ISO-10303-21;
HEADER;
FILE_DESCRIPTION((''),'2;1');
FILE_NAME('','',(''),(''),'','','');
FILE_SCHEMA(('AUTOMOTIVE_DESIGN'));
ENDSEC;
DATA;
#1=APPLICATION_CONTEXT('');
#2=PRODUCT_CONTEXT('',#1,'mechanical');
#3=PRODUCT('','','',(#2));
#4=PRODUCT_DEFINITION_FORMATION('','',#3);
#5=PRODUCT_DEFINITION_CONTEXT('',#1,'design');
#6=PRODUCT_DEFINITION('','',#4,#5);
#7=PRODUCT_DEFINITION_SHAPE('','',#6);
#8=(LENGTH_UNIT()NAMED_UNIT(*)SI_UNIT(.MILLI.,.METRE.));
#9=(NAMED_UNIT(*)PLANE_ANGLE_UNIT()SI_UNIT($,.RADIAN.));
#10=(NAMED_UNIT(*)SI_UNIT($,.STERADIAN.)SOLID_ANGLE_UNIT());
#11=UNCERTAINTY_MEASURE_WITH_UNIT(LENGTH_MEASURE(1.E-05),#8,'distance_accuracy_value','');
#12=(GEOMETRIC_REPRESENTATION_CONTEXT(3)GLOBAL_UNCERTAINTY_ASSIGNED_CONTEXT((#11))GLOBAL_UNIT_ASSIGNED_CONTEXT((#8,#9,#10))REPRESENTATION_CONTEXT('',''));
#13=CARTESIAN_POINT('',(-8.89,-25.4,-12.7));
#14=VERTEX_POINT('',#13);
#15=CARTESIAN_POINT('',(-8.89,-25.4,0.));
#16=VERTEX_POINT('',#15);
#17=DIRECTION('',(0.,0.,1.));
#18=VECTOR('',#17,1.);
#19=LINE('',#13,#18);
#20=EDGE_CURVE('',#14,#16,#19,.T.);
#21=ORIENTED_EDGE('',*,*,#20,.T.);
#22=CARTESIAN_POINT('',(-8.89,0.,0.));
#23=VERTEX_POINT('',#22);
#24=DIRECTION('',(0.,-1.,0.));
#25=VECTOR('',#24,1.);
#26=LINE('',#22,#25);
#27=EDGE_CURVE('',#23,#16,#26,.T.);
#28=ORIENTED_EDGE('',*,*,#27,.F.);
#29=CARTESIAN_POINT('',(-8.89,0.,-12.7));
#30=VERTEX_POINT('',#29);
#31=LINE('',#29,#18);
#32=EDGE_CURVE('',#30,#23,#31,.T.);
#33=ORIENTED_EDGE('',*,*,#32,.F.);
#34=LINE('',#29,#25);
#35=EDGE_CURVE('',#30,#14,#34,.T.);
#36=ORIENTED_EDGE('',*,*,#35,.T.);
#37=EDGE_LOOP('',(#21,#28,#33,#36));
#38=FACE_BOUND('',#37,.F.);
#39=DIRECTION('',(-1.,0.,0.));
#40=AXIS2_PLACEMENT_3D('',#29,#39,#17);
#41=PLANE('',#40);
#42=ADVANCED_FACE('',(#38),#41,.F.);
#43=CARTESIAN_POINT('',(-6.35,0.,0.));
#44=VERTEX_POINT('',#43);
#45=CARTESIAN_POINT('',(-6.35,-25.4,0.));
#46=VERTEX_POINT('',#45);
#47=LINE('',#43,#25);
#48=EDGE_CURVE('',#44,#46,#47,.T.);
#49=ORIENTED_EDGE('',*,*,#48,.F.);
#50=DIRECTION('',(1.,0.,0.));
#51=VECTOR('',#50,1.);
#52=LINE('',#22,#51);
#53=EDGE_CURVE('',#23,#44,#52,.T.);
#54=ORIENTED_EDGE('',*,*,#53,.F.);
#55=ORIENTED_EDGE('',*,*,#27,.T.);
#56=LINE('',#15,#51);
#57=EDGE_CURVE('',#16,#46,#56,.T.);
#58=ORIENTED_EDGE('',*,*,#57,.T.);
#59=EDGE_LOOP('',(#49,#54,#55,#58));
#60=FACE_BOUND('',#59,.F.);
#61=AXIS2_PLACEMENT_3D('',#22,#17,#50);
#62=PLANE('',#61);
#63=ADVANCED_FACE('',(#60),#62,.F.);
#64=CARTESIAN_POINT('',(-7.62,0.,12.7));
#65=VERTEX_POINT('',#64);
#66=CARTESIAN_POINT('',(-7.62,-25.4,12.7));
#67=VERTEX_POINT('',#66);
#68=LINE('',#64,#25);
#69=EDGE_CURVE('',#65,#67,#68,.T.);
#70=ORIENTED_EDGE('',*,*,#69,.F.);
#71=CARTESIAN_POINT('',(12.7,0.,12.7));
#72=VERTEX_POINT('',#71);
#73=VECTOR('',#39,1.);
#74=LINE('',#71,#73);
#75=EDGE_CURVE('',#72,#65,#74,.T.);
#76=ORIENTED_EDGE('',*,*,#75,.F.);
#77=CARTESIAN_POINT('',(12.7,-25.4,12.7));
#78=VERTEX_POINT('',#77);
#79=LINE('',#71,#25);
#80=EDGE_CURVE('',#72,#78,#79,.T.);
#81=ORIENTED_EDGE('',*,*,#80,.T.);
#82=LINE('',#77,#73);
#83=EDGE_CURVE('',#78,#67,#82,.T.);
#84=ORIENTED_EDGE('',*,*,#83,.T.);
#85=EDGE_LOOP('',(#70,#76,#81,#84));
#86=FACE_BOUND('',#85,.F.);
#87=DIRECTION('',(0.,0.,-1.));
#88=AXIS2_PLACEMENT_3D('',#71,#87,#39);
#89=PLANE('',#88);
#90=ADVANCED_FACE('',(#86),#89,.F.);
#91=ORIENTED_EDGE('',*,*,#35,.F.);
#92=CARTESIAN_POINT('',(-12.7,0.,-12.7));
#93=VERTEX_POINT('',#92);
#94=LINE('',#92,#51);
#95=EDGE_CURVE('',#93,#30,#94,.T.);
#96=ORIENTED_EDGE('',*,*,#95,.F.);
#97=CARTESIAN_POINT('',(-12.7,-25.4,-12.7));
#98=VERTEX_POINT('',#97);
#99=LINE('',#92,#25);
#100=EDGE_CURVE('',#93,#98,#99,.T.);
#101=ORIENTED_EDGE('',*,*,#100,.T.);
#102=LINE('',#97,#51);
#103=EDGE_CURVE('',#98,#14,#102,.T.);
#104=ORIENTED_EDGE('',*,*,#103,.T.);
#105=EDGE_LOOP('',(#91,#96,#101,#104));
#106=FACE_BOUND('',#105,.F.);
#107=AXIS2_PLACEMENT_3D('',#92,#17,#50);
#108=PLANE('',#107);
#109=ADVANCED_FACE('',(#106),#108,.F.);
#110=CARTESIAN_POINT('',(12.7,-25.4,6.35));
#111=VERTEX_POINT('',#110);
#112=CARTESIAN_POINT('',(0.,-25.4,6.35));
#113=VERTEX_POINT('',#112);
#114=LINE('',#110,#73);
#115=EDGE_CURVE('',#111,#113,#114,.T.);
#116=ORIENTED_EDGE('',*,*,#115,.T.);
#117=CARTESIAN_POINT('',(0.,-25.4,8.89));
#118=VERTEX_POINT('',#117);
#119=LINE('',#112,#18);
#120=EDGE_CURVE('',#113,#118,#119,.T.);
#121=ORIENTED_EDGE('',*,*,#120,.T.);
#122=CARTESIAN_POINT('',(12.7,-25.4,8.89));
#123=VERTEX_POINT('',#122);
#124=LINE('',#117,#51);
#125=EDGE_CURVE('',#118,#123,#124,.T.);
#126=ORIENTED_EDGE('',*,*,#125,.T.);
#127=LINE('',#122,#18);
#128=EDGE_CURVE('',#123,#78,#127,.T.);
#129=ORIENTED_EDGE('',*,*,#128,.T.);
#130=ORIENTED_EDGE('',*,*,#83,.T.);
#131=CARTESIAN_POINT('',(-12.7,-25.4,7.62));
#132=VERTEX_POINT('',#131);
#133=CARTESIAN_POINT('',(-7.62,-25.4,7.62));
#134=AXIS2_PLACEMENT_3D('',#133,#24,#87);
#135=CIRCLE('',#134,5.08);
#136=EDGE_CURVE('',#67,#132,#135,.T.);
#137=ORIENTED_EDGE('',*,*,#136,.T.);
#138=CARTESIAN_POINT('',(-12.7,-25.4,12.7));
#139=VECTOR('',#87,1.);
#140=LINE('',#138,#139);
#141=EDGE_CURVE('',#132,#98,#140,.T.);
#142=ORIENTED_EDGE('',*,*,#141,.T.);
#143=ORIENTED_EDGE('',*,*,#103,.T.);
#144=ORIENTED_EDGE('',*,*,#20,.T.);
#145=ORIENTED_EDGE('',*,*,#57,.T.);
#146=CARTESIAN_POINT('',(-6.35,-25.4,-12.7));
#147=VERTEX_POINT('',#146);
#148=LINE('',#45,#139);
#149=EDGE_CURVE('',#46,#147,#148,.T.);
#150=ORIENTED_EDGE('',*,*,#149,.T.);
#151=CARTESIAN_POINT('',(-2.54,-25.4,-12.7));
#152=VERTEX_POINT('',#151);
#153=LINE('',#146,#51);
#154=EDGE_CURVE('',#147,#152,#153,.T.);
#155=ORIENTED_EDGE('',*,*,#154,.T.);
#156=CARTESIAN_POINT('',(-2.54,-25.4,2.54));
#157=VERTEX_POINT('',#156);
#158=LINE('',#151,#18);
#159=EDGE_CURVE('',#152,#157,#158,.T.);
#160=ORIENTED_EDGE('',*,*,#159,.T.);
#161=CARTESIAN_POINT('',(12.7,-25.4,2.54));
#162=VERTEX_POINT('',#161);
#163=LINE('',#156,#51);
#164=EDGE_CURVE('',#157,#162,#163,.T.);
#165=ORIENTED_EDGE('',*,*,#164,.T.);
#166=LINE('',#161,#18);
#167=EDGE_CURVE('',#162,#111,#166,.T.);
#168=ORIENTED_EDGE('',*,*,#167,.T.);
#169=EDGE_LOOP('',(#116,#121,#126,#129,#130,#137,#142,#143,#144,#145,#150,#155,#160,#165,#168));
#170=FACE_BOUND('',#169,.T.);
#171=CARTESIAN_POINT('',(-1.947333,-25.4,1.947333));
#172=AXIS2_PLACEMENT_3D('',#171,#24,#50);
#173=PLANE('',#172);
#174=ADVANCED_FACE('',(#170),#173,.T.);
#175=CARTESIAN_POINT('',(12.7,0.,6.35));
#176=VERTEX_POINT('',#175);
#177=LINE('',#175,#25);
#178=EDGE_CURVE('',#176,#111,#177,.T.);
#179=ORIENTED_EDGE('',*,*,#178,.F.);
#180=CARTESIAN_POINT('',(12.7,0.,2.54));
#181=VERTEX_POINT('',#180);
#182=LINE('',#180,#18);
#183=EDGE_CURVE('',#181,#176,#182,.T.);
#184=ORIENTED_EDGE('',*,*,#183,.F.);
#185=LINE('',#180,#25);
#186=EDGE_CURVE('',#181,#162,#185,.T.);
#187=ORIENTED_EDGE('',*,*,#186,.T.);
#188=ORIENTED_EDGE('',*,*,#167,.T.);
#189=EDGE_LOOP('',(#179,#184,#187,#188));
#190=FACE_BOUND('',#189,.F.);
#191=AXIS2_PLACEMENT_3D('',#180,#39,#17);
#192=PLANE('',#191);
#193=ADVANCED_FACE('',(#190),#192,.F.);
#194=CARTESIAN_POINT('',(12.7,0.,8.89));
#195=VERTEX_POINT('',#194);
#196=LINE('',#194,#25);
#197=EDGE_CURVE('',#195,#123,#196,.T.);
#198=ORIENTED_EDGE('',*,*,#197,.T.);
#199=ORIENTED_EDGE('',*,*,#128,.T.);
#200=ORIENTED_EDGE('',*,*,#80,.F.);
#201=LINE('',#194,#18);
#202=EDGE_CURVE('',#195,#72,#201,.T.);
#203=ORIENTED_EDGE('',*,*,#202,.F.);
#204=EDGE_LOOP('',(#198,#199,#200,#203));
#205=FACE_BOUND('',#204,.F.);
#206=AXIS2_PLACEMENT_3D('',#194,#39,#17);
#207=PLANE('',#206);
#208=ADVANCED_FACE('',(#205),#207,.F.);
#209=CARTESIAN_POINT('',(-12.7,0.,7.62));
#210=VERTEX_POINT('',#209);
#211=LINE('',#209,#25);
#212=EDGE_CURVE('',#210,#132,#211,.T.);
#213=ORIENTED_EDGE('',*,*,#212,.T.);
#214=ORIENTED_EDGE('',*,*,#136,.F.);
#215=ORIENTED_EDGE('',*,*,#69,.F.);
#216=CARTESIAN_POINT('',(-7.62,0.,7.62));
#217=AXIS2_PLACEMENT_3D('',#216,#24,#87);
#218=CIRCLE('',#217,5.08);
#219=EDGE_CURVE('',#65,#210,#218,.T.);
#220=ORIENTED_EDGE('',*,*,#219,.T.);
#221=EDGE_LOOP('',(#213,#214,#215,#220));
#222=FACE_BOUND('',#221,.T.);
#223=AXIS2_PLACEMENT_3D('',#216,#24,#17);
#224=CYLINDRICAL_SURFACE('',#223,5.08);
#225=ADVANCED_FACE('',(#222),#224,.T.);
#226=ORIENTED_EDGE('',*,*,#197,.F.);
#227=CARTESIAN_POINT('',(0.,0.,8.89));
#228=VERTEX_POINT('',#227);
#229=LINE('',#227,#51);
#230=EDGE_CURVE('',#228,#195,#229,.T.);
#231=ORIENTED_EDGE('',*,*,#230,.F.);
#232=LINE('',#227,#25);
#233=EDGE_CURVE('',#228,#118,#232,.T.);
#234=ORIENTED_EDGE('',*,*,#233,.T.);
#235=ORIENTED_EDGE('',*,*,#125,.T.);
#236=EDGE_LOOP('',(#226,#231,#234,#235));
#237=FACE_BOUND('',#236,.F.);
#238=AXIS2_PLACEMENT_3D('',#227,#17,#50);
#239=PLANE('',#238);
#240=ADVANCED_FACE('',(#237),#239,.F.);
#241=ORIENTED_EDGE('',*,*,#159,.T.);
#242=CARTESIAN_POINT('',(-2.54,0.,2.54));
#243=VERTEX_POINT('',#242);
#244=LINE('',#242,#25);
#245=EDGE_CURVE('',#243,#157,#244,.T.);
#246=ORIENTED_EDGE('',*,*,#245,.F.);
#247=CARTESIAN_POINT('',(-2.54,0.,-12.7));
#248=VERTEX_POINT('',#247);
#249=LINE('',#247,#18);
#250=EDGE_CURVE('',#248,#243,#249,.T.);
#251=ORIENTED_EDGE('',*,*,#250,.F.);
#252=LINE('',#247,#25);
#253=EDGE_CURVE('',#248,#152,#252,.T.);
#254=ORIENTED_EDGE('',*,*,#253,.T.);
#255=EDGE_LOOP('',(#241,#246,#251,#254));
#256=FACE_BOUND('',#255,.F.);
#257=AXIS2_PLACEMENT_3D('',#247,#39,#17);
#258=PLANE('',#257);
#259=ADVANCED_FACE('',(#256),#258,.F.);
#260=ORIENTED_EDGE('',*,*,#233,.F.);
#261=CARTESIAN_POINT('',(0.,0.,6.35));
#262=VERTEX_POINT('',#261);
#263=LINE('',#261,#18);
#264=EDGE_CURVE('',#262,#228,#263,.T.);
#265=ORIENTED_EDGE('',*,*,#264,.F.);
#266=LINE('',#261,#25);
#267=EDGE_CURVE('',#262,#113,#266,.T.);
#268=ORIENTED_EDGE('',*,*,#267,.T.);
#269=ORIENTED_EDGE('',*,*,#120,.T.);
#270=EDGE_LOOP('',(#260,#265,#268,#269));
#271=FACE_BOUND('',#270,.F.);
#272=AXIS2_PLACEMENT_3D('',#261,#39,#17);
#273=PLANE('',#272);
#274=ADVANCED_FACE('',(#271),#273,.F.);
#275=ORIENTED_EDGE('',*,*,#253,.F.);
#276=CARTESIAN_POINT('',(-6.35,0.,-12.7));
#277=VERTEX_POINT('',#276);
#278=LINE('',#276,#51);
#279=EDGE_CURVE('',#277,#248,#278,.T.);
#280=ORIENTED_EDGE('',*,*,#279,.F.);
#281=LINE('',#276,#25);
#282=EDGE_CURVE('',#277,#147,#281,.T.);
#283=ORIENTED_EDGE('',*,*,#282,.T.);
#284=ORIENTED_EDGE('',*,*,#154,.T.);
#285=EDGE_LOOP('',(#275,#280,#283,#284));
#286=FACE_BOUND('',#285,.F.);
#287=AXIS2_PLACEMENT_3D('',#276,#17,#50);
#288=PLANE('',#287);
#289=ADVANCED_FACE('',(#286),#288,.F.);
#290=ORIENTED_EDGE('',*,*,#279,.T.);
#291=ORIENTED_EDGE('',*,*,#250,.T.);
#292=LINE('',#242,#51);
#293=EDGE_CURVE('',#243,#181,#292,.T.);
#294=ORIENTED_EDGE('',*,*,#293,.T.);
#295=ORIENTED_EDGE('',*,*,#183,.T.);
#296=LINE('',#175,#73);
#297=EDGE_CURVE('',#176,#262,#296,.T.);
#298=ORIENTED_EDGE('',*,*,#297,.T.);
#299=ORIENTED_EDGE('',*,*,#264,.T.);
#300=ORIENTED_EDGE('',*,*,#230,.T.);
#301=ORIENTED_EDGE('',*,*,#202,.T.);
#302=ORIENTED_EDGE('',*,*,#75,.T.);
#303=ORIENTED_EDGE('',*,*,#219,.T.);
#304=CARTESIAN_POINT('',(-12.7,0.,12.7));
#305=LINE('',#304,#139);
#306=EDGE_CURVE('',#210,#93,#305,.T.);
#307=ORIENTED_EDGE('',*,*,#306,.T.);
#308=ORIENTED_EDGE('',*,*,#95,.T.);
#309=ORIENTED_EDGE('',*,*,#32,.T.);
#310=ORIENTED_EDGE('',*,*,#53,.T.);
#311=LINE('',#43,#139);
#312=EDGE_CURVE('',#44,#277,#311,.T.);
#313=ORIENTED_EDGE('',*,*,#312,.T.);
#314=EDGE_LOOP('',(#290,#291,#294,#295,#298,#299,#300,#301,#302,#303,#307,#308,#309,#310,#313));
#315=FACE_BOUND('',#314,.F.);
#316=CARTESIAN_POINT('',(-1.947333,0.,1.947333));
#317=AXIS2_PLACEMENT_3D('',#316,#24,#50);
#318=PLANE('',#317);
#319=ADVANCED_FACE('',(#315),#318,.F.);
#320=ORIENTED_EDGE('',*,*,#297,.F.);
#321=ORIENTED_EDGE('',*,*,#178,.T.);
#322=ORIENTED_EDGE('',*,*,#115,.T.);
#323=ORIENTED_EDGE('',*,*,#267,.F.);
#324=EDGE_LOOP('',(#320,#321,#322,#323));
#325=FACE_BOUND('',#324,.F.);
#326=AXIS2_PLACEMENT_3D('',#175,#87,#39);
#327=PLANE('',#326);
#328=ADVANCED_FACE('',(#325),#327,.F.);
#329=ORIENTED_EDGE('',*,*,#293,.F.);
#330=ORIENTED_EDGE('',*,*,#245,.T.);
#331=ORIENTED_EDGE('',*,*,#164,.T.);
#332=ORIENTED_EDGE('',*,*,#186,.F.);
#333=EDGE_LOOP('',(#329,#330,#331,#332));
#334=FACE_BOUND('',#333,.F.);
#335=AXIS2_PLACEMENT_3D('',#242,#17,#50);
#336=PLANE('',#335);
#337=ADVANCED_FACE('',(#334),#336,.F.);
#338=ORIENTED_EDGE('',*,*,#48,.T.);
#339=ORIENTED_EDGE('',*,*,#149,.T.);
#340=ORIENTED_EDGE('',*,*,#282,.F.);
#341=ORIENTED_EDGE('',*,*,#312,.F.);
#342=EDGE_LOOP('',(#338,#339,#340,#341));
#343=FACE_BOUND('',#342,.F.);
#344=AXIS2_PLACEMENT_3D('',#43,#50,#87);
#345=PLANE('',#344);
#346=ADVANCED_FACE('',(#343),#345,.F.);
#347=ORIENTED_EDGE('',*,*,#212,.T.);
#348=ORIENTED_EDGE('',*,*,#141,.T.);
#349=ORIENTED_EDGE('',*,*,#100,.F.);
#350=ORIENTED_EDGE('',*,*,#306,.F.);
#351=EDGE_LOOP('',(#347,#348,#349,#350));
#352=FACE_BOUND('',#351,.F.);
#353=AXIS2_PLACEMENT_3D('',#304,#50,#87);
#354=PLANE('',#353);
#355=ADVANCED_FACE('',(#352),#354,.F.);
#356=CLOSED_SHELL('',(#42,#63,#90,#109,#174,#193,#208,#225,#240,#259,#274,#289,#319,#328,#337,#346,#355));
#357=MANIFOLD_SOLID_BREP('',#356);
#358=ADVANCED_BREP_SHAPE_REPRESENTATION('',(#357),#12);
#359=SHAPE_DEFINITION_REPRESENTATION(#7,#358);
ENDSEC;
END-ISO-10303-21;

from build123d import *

# Parameters (mm, degrees)
F1_DEPTH = 25.4
F2_R     = 5.08


with BuildPart() as f1:
    # F0 (on Front) → F1 (new body)
    with BuildSketch(Plane.XZ):
        Polygon((12.7, 12.7), (-12.7, 12.7), (-12.7, -12.7), (-8.89, -12.7), (-8.89, 0), (-6.35, 0), (-6.35, -12.7), (-2.54, -12.7), (-2.54, 2.54), (12.7, 2.54), (12.7, 6.35), (0, 6.35), (0, 8.89), (12.7, 8.89), align=None)
    extrude(amount=F1_DEPTH)

    # F2
    f2_edges = [f1.edges().sort_by_distance(p)[0] for p in [
        (-12.7, -12.7, 12.7),
    ]]
    fillet(f2_edges, radius=F2_R)


solid = f1.part
